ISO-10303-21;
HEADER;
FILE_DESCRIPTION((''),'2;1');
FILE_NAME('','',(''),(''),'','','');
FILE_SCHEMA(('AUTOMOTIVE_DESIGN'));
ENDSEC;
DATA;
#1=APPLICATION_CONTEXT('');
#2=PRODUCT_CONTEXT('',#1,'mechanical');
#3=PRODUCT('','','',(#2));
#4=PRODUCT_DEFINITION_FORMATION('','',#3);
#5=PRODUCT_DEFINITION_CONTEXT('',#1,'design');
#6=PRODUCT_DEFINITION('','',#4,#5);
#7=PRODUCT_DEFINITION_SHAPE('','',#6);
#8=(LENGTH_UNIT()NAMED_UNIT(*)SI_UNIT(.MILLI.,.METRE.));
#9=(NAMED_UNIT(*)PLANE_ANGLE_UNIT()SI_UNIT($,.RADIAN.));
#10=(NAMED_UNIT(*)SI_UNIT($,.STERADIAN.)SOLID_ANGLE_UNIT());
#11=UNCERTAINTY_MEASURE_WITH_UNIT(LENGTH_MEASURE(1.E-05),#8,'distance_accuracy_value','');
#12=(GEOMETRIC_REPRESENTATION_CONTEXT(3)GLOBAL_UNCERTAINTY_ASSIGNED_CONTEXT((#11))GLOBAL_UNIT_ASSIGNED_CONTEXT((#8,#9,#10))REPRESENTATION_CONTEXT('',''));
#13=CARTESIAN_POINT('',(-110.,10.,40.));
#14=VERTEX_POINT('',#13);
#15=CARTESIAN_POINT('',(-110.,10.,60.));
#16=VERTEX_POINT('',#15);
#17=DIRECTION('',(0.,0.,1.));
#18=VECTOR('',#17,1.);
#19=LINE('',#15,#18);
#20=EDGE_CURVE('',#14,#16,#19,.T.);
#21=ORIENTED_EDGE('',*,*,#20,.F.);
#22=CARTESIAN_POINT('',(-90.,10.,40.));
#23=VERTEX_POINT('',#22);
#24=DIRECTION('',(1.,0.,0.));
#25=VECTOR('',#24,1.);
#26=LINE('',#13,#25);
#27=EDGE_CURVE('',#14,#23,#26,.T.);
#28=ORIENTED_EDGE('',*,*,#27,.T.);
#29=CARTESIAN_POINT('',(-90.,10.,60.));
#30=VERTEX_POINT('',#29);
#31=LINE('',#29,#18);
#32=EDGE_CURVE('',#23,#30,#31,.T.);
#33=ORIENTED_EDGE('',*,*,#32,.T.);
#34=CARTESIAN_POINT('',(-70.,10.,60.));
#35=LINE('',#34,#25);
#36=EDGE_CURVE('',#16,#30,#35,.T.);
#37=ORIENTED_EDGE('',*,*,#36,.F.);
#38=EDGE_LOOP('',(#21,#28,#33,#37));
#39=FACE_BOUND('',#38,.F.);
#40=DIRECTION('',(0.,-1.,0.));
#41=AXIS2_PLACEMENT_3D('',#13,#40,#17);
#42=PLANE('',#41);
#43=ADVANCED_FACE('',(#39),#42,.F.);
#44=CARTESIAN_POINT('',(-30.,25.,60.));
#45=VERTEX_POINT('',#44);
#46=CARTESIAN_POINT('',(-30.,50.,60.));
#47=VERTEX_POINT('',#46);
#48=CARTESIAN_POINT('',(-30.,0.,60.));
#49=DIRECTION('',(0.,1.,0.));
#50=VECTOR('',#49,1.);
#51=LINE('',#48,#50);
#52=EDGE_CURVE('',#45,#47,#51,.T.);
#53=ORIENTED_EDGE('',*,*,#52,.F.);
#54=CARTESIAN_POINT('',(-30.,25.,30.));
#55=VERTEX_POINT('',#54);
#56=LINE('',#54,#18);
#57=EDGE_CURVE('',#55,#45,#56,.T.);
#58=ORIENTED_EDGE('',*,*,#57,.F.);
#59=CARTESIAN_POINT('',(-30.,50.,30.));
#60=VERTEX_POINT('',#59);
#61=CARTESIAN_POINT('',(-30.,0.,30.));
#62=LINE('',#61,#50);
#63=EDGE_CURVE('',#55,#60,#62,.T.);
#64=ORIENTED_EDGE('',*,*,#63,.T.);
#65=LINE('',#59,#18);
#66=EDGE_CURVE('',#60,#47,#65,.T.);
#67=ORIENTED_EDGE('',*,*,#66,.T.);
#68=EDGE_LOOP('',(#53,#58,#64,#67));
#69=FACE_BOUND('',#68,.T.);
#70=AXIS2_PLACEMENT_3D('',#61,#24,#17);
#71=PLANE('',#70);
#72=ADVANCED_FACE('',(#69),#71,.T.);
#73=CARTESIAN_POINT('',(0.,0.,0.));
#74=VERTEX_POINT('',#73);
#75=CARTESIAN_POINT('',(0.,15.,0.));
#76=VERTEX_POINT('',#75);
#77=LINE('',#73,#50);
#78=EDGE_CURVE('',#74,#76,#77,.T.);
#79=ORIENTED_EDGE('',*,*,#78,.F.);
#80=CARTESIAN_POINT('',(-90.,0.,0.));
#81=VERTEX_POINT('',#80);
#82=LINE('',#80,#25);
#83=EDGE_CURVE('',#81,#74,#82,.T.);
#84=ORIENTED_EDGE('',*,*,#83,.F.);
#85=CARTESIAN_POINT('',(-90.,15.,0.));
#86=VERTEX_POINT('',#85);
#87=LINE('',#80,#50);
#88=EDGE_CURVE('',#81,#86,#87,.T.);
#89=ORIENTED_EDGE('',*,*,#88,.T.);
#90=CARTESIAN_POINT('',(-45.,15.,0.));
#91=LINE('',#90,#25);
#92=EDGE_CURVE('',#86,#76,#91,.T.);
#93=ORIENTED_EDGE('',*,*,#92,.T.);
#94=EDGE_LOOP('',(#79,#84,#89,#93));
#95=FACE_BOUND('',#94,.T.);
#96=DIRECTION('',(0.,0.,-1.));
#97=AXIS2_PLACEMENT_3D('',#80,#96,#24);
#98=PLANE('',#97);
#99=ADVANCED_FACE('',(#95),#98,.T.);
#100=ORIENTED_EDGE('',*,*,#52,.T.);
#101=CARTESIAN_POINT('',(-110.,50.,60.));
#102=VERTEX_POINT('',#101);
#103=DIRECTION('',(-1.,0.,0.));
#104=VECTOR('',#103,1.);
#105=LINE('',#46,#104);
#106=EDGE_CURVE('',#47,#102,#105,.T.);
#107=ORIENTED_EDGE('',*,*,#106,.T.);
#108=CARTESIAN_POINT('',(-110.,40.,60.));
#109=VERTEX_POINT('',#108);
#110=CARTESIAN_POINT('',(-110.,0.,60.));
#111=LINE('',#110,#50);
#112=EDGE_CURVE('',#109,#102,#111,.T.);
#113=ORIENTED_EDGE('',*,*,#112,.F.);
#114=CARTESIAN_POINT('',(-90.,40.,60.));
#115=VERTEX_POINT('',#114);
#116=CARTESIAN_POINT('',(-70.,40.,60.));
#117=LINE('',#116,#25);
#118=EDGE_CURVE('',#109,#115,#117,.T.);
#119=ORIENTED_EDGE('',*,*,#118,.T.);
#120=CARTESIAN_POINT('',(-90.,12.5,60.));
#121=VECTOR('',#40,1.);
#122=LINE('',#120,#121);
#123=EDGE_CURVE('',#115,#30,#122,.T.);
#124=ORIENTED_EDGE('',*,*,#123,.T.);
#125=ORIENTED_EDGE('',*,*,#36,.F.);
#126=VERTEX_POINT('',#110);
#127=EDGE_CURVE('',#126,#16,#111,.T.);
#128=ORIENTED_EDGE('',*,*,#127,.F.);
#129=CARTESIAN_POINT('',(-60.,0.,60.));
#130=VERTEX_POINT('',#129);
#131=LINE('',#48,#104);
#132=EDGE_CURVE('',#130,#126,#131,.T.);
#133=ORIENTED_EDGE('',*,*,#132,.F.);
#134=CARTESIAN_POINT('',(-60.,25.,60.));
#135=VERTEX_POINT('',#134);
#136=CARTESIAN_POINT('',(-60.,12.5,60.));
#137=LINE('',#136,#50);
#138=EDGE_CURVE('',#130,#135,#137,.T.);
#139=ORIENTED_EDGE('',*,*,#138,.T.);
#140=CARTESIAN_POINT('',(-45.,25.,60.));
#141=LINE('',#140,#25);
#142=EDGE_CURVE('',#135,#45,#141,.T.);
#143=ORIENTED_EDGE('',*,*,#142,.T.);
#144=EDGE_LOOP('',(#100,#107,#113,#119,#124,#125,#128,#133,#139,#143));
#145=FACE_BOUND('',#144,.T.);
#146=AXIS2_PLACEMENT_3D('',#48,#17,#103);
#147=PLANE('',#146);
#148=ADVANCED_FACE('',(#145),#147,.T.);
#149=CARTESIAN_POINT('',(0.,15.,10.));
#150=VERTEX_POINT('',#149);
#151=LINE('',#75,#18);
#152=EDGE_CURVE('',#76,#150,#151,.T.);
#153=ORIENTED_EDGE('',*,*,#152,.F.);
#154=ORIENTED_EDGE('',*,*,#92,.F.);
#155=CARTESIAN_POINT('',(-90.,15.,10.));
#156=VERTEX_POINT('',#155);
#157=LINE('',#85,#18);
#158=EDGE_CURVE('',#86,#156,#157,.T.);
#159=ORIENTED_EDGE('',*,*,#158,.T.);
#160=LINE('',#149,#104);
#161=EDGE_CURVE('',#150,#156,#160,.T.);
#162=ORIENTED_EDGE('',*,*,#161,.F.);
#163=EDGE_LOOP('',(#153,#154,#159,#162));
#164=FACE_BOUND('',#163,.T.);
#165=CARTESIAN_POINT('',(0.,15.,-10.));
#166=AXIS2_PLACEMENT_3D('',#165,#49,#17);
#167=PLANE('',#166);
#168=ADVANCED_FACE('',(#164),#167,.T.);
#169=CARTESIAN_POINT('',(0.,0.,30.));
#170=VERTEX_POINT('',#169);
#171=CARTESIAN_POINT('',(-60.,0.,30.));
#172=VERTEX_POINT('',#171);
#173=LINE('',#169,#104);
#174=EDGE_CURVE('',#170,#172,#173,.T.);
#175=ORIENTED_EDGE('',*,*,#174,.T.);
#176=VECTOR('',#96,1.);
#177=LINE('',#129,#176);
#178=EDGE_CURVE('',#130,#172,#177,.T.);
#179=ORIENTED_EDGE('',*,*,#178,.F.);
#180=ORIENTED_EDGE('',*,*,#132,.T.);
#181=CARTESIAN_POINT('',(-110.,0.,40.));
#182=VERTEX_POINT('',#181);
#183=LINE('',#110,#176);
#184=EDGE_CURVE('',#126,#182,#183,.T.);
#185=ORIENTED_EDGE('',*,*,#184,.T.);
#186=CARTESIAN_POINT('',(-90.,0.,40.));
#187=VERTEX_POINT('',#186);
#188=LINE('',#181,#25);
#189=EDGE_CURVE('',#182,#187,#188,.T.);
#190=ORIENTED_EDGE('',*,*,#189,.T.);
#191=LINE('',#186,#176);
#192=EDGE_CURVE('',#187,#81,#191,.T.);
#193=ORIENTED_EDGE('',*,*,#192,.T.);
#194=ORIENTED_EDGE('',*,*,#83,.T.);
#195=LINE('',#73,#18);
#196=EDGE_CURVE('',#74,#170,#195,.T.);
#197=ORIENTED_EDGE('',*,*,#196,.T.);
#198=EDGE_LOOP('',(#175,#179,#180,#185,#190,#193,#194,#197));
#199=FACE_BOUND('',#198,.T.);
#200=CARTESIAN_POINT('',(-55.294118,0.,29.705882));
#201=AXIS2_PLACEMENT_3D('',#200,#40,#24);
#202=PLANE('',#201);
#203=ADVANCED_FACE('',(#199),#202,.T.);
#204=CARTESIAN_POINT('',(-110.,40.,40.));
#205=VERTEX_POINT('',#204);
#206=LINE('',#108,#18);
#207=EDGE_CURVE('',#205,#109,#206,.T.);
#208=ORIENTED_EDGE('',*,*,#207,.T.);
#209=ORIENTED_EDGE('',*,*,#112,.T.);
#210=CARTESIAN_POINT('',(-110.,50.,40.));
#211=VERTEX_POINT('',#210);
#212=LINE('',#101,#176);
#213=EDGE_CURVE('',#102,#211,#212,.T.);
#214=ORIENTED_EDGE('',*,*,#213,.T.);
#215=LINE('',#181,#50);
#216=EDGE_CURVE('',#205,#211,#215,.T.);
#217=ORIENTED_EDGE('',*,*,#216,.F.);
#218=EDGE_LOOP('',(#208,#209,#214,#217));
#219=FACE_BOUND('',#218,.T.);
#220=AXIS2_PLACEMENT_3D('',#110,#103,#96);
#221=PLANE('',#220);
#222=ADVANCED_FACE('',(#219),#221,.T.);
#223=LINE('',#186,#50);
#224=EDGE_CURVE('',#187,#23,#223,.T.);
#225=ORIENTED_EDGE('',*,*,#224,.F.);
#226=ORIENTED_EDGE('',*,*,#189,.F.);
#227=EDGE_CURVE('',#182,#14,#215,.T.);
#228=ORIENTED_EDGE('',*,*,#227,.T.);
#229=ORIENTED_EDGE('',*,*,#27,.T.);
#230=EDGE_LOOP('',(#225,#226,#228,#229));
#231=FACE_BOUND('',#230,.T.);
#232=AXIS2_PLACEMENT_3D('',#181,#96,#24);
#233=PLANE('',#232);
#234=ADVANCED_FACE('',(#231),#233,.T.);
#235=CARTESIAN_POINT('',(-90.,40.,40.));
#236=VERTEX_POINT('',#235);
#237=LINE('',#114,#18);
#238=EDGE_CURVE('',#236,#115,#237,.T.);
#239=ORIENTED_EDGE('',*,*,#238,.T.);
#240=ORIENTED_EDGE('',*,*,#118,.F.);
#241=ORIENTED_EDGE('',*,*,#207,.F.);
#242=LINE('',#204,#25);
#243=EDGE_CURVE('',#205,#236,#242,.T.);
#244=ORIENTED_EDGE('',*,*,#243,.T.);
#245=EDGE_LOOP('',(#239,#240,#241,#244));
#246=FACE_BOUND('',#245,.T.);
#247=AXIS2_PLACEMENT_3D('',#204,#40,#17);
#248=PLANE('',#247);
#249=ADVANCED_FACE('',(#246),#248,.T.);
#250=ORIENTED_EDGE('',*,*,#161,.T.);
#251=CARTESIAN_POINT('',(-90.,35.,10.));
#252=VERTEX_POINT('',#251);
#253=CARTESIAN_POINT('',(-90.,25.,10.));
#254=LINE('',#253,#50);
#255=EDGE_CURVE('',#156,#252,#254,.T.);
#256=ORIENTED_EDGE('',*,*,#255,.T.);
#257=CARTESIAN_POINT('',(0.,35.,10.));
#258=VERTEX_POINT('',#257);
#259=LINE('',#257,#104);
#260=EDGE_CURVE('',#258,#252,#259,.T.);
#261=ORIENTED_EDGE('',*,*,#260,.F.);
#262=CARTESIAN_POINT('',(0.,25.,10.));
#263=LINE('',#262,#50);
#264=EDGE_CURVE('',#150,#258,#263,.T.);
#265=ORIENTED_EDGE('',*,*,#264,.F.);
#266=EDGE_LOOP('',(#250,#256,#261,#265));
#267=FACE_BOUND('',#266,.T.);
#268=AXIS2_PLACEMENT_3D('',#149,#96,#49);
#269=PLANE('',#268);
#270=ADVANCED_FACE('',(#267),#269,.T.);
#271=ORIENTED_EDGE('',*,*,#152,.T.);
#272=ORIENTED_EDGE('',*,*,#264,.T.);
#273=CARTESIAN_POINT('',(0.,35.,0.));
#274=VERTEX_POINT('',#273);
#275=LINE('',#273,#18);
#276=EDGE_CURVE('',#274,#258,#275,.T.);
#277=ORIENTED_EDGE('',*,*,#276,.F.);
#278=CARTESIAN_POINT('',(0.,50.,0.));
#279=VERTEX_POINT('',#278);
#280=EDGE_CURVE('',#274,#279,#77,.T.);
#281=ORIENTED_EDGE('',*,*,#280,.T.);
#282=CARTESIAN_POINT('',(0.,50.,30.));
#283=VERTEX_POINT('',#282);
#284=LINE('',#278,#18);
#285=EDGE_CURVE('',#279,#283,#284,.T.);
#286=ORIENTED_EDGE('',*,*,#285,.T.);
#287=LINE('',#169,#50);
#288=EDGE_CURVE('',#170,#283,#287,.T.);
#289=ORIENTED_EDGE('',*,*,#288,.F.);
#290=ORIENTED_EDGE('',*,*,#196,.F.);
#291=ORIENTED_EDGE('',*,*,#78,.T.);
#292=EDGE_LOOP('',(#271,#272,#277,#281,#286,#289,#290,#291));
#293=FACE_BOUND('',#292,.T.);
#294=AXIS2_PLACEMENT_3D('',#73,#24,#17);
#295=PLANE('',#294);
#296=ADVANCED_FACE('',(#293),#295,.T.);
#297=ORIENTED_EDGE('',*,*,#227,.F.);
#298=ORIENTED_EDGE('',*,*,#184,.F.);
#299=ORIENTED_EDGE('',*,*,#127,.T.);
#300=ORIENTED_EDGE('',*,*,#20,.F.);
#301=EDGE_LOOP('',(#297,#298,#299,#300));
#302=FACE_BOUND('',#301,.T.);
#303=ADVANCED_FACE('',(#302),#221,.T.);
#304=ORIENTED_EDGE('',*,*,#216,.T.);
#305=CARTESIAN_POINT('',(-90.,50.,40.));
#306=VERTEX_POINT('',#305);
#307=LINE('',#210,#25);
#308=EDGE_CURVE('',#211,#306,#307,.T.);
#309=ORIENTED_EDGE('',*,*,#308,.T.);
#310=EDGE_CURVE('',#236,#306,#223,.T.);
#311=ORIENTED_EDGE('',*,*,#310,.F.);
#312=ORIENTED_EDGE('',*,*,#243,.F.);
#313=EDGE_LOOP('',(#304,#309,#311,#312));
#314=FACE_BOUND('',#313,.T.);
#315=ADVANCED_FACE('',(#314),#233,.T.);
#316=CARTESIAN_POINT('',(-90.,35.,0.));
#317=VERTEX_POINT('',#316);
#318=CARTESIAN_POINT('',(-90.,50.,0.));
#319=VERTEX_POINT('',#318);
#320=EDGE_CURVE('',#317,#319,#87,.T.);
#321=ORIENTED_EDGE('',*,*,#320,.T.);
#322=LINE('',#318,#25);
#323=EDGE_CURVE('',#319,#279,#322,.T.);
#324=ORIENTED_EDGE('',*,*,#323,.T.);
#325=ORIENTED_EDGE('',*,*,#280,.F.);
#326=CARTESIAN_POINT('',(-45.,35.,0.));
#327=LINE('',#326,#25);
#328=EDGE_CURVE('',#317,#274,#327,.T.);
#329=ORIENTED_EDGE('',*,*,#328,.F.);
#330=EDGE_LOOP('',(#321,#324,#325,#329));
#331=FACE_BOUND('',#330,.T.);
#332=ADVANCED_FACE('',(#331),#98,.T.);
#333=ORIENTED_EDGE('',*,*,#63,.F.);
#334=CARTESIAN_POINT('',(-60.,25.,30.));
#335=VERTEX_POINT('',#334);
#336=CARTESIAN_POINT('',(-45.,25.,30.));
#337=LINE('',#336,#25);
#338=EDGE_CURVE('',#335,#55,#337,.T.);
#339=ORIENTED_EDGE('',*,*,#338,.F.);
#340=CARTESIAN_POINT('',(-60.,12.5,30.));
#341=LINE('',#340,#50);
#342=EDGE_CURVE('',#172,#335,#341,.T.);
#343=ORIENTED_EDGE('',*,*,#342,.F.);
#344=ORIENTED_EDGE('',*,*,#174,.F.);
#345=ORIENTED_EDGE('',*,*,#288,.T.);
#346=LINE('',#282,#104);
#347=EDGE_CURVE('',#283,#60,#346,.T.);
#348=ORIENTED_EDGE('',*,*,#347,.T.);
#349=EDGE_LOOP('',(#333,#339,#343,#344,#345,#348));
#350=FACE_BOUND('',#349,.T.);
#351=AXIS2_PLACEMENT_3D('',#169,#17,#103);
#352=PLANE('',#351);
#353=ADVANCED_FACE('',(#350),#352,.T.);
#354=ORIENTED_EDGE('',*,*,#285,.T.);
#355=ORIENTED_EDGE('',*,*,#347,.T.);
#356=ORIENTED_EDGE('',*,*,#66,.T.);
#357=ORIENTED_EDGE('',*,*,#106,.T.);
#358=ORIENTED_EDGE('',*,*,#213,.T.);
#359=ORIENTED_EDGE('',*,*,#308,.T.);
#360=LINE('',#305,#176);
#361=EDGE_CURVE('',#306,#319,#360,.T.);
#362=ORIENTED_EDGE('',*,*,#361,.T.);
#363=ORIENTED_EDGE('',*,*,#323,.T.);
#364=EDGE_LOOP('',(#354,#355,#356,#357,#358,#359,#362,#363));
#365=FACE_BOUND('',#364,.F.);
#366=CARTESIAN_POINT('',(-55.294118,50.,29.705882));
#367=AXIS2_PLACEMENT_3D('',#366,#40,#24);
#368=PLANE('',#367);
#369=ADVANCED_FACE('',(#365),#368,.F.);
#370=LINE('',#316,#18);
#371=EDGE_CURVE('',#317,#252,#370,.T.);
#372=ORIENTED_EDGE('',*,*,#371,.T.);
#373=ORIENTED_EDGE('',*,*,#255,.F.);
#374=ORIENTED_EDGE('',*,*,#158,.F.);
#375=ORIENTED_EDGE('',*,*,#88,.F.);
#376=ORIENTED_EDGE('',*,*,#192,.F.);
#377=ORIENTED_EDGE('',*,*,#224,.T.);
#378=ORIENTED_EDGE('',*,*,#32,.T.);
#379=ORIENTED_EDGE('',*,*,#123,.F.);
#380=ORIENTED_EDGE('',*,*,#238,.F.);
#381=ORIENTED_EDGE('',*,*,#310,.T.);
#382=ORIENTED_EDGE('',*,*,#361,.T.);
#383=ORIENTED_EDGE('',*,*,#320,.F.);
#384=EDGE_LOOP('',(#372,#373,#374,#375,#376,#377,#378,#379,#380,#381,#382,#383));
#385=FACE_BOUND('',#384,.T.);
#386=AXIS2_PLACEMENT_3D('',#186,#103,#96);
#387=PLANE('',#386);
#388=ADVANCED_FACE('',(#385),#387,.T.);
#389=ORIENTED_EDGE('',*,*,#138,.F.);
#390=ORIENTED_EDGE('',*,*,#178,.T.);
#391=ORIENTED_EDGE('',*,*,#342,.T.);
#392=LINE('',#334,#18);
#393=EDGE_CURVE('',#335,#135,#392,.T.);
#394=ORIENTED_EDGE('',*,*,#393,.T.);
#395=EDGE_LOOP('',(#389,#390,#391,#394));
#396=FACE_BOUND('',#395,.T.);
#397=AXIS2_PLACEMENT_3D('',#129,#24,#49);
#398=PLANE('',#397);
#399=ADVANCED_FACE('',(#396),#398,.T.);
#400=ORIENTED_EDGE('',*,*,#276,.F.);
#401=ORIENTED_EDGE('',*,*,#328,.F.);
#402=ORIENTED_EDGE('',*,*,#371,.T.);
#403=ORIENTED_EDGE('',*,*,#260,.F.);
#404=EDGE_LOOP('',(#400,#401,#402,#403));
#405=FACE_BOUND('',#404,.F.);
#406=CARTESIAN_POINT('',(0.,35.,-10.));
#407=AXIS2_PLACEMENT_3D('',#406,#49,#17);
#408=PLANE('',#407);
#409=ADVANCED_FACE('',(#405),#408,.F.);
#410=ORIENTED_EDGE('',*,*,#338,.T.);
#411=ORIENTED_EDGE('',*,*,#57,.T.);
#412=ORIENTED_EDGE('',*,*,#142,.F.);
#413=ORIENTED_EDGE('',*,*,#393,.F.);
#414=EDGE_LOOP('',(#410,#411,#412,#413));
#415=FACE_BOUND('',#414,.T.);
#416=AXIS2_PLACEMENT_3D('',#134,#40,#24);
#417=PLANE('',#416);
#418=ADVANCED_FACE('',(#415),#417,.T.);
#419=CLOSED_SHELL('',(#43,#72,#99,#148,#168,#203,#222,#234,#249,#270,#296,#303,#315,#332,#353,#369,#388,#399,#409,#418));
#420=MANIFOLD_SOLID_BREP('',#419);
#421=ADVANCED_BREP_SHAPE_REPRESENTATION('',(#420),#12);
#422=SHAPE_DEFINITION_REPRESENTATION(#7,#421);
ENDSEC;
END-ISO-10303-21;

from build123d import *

# Parameters (mm, degrees)
F1_DEPTH      = 50
F2_W          = 30
F2_H          = 40
F3_DEPTH      = 20
F4_W          = 30
F4_H          = 25
F5_DEPTH      = 30
F5_DEPTH_BACK = 25
F6_W          = 20
F6_H          = 20
F7_DEPTH      = 90


with BuildPart() as f1:
    # F0 (on Front) → F1 (new body)
    with BuildSketch(Plane.XZ):
        Polygon((-90, 0), (0, 0), (0, 30), (-30, 30), (-30, 60), (-110, 60), (-110, 40), (-90, 40), align=None)
    extrude(amount=-F1_DEPTH)

    # F2 (on face) → F3 (cut)
    with BuildSketch(Plane(origin=(-110, 0, 0), x_dir=(0, -1, 0), z_dir=(-1, 0, 0))):
        with Locations((-25, 60)):
            Rectangle(F2_W, F2_H)
    extrude(amount=-F3_DEPTH, mode=Mode.SUBTRACT)

    # F4 (on face) → F5 (cut, two sides)
    with BuildSketch(Plane.XY.offset(60)) as f5_sk:
        with Locations((-45, 12.5)):
            Rectangle(F4_W, F4_H)
    extrude(amount=-F5_DEPTH, mode=Mode.SUBTRACT)
    extrude(f5_sk.sketch, amount=-F5_DEPTH_BACK, mode=Mode.SUBTRACT)

    # F6 (on face) → F7 (cut)
    with BuildSketch(Plane.YZ):
        with Locations((25, 0)):
            Rectangle(F6_W, F6_H)
    extrude(amount=-F7_DEPTH, mode=Mode.SUBTRACT)


solid = f1.part
